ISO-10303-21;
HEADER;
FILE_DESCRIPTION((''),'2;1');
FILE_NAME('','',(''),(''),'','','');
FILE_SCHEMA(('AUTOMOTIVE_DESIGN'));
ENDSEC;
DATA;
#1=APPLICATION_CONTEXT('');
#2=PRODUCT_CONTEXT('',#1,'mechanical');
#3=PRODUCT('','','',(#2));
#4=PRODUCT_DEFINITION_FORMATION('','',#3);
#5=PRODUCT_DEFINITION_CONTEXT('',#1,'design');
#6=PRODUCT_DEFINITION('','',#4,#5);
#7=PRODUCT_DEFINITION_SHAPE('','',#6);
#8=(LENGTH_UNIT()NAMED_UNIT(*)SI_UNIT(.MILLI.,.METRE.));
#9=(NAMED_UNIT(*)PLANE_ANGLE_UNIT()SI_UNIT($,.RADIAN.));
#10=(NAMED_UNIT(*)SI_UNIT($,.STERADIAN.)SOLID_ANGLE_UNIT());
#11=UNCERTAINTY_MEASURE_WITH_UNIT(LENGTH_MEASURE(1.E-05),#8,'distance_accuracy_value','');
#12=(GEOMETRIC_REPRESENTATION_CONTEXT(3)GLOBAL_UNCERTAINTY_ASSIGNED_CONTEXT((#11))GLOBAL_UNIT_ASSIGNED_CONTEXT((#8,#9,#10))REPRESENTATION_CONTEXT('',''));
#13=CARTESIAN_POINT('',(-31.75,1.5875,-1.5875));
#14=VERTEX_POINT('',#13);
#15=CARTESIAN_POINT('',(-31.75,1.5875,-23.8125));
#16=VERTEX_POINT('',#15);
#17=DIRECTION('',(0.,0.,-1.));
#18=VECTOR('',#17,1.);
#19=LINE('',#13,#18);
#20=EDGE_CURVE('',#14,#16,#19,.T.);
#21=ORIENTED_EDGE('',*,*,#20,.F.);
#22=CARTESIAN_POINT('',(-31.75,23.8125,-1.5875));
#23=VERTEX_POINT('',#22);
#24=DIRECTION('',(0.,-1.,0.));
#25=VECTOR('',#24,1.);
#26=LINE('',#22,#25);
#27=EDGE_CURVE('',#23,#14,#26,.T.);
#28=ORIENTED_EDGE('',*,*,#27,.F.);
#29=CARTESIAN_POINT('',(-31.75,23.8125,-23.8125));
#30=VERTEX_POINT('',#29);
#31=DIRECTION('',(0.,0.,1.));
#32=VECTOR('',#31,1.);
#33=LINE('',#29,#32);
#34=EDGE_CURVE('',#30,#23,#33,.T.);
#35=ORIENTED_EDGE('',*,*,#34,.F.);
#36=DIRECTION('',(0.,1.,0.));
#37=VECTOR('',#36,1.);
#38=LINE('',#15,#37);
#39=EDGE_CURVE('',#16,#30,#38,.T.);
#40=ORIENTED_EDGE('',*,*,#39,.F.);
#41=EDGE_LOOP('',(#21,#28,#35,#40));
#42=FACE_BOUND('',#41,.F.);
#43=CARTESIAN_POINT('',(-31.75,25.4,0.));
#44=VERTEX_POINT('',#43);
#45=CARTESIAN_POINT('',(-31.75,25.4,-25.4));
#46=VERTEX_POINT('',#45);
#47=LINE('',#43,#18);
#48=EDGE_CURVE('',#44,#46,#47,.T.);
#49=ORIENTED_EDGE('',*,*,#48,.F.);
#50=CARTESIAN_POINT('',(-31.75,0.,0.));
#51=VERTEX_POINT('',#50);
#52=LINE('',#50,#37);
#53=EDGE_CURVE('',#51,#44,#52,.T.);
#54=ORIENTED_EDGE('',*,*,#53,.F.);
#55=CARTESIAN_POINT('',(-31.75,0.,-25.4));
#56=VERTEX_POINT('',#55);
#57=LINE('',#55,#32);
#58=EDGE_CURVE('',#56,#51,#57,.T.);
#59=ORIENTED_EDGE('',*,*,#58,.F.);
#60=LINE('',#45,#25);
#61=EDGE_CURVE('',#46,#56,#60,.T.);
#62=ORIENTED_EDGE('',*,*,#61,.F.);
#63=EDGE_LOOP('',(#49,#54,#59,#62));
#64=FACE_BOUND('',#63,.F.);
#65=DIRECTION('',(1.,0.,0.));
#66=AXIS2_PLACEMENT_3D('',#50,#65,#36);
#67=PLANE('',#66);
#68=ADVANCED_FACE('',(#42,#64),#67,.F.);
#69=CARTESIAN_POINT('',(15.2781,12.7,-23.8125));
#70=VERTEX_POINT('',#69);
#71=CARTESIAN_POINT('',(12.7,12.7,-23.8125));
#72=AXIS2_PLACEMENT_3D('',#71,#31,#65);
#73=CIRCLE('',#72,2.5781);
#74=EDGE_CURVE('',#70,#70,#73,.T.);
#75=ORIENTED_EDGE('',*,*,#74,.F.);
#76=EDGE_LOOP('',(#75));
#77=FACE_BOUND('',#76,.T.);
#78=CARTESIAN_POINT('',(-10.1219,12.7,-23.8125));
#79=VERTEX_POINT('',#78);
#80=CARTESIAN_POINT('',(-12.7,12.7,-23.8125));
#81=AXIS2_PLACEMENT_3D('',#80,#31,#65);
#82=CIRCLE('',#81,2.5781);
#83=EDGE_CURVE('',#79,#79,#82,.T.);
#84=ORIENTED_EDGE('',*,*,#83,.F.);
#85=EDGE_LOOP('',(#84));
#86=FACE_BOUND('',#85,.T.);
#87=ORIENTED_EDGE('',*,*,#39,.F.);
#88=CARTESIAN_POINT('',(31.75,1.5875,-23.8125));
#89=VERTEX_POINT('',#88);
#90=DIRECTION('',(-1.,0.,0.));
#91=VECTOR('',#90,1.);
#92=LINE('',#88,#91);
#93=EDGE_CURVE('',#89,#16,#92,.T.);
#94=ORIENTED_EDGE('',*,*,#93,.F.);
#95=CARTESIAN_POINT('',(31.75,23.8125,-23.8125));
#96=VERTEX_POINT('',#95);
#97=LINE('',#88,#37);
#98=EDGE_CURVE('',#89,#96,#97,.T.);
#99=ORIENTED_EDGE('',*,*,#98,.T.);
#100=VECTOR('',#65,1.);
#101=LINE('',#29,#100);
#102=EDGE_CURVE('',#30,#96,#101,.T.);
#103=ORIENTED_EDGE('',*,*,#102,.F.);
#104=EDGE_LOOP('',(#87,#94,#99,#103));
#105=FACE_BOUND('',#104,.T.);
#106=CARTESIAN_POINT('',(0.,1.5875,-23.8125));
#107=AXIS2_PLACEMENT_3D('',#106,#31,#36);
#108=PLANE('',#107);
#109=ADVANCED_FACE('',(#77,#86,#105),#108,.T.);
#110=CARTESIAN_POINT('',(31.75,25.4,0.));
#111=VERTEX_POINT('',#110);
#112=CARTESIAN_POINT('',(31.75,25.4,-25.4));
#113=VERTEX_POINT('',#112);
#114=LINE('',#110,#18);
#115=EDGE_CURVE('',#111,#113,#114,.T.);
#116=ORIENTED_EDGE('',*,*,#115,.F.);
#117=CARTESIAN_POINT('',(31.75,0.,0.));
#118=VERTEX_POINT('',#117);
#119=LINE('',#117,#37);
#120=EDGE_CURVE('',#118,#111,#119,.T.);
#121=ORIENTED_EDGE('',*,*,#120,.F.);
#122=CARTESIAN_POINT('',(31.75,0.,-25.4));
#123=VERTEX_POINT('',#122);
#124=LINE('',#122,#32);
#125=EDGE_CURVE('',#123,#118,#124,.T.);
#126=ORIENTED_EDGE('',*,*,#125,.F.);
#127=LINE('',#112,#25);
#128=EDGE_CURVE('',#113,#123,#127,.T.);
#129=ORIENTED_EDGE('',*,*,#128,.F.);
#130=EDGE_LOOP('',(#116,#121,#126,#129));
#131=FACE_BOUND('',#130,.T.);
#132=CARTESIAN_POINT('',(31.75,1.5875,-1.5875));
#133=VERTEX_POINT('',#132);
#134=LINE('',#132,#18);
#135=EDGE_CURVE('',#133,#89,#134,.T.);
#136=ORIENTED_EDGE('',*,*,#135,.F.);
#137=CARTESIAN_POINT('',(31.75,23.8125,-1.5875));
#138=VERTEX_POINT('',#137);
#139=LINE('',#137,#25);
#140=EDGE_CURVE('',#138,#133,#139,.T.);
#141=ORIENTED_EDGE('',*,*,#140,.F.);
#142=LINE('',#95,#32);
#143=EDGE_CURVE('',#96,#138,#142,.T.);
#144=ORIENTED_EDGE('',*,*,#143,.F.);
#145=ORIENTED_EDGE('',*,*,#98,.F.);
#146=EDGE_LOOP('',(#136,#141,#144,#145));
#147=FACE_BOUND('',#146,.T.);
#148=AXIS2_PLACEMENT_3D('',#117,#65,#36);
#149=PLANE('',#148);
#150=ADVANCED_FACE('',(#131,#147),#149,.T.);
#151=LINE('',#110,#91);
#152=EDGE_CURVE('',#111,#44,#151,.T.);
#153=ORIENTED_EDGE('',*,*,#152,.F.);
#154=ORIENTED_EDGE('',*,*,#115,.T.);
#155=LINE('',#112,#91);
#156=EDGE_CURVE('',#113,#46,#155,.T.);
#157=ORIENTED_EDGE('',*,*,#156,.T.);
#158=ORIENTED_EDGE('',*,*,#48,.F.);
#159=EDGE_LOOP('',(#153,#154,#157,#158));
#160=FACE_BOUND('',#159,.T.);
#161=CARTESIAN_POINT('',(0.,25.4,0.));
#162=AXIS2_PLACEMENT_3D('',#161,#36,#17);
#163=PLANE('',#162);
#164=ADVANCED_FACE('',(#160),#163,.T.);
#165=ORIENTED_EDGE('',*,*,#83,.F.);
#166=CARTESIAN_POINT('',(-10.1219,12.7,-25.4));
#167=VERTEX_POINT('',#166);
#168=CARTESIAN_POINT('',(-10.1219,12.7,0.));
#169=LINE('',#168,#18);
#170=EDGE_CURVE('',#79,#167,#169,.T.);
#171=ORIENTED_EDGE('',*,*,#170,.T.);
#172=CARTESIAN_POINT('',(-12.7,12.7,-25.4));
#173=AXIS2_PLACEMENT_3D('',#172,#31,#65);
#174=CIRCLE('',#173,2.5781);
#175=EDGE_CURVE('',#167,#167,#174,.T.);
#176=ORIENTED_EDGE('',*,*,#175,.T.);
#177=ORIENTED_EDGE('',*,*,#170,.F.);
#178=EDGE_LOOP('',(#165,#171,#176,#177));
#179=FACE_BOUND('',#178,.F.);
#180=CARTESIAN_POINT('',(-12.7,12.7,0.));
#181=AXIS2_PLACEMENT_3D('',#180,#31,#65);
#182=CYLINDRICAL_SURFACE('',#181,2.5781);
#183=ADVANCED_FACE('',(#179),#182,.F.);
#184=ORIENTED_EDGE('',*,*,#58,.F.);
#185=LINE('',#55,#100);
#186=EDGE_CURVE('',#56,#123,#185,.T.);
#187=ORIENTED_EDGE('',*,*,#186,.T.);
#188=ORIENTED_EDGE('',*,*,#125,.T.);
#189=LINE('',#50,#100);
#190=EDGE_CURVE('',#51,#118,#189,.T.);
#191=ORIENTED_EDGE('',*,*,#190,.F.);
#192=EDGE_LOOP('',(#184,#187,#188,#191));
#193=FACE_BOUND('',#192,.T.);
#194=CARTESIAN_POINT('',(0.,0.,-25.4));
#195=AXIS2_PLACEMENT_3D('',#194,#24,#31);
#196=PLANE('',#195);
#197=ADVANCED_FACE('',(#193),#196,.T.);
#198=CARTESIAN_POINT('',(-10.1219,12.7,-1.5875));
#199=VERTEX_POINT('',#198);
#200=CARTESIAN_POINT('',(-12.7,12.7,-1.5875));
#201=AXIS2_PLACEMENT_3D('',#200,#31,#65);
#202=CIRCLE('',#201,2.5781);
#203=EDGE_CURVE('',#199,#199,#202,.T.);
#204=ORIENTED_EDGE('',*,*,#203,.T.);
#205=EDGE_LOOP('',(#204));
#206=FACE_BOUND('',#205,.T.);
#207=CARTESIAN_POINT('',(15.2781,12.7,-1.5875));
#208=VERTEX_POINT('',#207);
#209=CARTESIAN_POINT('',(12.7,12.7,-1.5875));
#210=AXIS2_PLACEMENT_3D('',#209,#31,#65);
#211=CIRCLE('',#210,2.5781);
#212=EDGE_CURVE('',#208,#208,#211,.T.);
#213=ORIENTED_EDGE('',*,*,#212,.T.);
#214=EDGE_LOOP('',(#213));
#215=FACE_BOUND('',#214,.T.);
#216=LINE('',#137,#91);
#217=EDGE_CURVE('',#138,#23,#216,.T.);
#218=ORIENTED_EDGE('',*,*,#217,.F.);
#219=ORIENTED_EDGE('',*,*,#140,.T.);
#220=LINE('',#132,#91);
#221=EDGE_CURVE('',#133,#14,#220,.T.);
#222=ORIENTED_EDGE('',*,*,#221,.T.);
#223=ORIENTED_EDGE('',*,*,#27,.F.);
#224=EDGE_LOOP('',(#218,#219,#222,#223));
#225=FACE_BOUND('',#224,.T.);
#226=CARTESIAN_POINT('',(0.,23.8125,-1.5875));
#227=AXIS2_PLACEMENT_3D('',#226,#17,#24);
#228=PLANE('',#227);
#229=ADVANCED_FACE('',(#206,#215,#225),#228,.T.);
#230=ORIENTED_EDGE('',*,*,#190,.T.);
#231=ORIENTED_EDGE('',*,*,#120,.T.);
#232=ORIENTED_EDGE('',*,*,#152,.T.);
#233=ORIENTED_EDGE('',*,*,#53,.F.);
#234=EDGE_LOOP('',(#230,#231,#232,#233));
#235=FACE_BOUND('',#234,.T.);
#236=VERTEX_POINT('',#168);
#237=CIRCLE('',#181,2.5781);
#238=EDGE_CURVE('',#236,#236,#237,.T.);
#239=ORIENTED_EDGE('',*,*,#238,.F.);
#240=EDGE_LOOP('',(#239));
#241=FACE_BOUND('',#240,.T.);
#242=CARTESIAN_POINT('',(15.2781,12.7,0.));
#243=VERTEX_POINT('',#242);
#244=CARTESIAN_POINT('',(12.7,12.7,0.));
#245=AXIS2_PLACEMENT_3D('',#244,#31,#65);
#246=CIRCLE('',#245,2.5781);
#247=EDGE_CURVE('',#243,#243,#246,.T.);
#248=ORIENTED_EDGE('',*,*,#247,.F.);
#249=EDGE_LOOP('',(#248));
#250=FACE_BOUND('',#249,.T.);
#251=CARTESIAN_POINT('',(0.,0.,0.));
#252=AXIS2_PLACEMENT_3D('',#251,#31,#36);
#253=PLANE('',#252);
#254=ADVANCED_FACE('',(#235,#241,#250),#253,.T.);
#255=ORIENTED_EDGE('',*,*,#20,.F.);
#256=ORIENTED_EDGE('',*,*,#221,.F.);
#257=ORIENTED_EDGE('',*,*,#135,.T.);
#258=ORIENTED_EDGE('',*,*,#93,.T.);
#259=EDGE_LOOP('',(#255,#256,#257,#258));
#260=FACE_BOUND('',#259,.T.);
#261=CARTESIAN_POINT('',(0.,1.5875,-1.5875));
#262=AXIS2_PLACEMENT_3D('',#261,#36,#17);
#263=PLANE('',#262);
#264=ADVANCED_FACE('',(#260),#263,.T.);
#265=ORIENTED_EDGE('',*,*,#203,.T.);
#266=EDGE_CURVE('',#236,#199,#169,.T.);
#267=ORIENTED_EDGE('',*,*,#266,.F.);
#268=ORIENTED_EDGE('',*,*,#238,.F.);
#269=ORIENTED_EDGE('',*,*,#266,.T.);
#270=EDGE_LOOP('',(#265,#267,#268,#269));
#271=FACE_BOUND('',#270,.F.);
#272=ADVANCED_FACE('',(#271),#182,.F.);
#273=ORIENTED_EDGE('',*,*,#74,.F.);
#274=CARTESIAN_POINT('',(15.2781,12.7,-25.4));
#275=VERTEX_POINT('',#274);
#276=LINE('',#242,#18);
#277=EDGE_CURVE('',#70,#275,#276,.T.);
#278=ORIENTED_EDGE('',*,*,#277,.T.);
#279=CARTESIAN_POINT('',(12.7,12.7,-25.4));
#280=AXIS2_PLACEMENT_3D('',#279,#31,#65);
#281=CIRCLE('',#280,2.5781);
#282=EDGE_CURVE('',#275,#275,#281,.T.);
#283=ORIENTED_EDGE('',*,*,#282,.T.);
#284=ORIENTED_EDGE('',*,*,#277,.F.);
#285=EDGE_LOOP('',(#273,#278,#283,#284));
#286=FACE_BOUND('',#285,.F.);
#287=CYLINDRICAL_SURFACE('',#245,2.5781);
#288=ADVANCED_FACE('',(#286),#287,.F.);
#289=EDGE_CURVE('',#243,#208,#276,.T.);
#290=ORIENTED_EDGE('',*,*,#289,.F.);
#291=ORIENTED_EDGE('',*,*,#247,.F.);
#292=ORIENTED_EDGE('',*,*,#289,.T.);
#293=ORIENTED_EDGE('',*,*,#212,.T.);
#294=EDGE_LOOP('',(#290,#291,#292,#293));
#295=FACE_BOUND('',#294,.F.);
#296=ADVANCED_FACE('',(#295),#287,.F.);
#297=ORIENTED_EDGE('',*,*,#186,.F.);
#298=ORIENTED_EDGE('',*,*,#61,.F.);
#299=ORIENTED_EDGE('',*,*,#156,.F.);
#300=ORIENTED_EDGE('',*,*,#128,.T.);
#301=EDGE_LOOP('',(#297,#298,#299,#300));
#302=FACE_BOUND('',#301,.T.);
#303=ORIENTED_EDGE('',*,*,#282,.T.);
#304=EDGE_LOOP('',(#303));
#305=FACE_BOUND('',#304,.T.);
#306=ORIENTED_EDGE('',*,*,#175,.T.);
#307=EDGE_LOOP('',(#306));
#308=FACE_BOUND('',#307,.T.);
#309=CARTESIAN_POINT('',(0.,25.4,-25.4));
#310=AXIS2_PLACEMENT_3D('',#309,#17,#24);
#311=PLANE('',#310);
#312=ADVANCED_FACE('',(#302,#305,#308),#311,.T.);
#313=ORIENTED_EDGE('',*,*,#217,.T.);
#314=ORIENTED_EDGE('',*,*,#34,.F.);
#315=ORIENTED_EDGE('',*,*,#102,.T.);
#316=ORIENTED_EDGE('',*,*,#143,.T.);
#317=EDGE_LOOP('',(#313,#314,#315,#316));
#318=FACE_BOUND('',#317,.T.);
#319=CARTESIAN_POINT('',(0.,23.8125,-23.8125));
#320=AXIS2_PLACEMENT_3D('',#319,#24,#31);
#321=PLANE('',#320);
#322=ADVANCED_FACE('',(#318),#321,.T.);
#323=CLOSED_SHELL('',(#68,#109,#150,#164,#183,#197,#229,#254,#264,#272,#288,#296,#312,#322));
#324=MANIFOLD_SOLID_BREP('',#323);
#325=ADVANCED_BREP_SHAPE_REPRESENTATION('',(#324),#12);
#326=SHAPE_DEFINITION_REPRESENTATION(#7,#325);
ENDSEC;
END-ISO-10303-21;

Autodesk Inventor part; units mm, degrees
ref_plane "YZ Plane" through (0, 0, 0) normal (1, 0, 0) x (0, 1, 0)
ref_plane "XZ Plane" through (0, 0, 0) normal (0, 1, 0) x (-1, 0, 0)
ref_plane "XY Plane" through (0, 0, 0) normal (0, 0, 1) x (1, 0, 0)
sketch "Sketch1" plane through (0, 0, 0) normal (1, 0, 0) x (0, 1, 0)
  line L0 (0, 0) -> (25.4, 0)
  line L1 (25.4, 0) -> (25.4, -25.4)
  line L2 (25.4, -25.4) -> (0, -25.4)
  line L3 (0, -25.4) -> (0, 0)
  line L4 (23.8125, -23.8125) -> (23.8125, -1.5875)
  line L5 (23.8125, -1.5875) -> (1.5875, -1.5875)
  line L6 (1.5875, -1.5875) -> (1.5875, -23.8125)
  line L7 (1.5875, -23.8125) -> (23.8125, -23.8125)
  dimension "d0" = 25.4
  dimension "d1" = 25.4
  dimension "d2" = 1.5875
extrude "Extrusion1" add sketch "Sketch1" along normal mid plane 63.5
sketch "Sketch3" plane through (-31.75, 0, 0) normal (0, 0, 1) x (1, 0, 0)
  line L0 (0, 0) -> (63.5, 0) projected
  line L1 (63.5, 25.4) -> (63.5, 0) projected
  line L2 (0, 25.4) -> (63.5, 25.4) projected
  line L3 (0, 0) -> (0, 25.4) projected
  circle A0 centre (19.05, 12.7) radius 2.5781
  circle A1 centre (44.45, 12.7) radius 2.5781
  line L4 (31.75, 25.4) -> (31.75, 0) construction
  dimension "d14" = 5.1562
  dimension "d15" = 5.1562
  dimension "d16" = 12.7
  dimension "d17" = 25.4
  dimension "d20" = 12.7
extrude "Extrusion3" cut sketch "Sketch3" against normal blind 25.4 contours A0 | A1
properties part number "1inTubeBase"
